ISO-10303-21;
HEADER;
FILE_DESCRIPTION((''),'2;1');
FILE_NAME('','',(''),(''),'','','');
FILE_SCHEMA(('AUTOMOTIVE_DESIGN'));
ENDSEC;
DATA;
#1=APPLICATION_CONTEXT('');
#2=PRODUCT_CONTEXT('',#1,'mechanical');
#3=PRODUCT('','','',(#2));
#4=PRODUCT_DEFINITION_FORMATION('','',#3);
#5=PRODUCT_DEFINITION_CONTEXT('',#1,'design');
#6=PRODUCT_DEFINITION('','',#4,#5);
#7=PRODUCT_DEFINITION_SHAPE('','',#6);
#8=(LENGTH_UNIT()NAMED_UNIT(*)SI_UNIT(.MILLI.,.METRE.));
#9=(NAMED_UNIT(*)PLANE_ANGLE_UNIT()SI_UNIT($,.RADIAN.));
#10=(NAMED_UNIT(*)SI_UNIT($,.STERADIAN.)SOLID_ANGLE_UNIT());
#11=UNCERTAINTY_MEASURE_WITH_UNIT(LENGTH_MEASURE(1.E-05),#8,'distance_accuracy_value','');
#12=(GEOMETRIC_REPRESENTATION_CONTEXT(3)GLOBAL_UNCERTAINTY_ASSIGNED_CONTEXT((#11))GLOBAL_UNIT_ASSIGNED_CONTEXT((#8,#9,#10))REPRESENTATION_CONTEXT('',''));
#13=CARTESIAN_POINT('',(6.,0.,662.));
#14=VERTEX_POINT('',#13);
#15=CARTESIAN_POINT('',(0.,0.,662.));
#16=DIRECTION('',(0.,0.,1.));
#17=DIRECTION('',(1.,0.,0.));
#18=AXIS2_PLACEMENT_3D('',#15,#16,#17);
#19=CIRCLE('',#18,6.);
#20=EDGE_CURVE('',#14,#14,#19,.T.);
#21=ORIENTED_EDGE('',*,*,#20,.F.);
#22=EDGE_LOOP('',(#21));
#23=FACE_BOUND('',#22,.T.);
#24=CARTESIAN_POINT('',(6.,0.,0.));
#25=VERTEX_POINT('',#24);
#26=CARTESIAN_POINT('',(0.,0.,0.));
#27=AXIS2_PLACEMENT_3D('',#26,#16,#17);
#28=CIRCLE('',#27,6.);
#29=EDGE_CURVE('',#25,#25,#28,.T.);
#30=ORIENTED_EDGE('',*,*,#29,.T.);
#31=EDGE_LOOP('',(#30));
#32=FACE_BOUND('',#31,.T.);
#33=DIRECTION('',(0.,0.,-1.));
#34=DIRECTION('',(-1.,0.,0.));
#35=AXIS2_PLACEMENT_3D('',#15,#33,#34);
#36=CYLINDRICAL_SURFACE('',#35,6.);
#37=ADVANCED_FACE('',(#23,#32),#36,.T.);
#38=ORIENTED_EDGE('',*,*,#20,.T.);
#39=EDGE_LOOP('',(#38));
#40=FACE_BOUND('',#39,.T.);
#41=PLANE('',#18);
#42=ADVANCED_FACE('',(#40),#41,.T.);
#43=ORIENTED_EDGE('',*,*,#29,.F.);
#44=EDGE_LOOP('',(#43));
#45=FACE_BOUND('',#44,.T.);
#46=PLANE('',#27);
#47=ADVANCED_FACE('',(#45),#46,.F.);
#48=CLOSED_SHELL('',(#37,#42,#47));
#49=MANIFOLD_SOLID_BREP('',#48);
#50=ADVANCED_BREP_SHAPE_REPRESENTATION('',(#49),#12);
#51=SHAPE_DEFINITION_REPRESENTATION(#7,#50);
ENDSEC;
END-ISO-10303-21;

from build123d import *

# Parameters (mm, degrees)
IZIM1_R                     = 6
Y_KSEKLIK_EKSTR_ZYON1_DEPTH = 662


with BuildPart() as part:
    # Çizim1 → Yükseklik-Ekstrüzyon1 (new body)
    with BuildSketch(Plane.XY):
        Circle(IZIM1_R)
    extrude(amount=Y_KSEKLIK_EKSTR_ZYON1_DEPTH)


solid = part.part
